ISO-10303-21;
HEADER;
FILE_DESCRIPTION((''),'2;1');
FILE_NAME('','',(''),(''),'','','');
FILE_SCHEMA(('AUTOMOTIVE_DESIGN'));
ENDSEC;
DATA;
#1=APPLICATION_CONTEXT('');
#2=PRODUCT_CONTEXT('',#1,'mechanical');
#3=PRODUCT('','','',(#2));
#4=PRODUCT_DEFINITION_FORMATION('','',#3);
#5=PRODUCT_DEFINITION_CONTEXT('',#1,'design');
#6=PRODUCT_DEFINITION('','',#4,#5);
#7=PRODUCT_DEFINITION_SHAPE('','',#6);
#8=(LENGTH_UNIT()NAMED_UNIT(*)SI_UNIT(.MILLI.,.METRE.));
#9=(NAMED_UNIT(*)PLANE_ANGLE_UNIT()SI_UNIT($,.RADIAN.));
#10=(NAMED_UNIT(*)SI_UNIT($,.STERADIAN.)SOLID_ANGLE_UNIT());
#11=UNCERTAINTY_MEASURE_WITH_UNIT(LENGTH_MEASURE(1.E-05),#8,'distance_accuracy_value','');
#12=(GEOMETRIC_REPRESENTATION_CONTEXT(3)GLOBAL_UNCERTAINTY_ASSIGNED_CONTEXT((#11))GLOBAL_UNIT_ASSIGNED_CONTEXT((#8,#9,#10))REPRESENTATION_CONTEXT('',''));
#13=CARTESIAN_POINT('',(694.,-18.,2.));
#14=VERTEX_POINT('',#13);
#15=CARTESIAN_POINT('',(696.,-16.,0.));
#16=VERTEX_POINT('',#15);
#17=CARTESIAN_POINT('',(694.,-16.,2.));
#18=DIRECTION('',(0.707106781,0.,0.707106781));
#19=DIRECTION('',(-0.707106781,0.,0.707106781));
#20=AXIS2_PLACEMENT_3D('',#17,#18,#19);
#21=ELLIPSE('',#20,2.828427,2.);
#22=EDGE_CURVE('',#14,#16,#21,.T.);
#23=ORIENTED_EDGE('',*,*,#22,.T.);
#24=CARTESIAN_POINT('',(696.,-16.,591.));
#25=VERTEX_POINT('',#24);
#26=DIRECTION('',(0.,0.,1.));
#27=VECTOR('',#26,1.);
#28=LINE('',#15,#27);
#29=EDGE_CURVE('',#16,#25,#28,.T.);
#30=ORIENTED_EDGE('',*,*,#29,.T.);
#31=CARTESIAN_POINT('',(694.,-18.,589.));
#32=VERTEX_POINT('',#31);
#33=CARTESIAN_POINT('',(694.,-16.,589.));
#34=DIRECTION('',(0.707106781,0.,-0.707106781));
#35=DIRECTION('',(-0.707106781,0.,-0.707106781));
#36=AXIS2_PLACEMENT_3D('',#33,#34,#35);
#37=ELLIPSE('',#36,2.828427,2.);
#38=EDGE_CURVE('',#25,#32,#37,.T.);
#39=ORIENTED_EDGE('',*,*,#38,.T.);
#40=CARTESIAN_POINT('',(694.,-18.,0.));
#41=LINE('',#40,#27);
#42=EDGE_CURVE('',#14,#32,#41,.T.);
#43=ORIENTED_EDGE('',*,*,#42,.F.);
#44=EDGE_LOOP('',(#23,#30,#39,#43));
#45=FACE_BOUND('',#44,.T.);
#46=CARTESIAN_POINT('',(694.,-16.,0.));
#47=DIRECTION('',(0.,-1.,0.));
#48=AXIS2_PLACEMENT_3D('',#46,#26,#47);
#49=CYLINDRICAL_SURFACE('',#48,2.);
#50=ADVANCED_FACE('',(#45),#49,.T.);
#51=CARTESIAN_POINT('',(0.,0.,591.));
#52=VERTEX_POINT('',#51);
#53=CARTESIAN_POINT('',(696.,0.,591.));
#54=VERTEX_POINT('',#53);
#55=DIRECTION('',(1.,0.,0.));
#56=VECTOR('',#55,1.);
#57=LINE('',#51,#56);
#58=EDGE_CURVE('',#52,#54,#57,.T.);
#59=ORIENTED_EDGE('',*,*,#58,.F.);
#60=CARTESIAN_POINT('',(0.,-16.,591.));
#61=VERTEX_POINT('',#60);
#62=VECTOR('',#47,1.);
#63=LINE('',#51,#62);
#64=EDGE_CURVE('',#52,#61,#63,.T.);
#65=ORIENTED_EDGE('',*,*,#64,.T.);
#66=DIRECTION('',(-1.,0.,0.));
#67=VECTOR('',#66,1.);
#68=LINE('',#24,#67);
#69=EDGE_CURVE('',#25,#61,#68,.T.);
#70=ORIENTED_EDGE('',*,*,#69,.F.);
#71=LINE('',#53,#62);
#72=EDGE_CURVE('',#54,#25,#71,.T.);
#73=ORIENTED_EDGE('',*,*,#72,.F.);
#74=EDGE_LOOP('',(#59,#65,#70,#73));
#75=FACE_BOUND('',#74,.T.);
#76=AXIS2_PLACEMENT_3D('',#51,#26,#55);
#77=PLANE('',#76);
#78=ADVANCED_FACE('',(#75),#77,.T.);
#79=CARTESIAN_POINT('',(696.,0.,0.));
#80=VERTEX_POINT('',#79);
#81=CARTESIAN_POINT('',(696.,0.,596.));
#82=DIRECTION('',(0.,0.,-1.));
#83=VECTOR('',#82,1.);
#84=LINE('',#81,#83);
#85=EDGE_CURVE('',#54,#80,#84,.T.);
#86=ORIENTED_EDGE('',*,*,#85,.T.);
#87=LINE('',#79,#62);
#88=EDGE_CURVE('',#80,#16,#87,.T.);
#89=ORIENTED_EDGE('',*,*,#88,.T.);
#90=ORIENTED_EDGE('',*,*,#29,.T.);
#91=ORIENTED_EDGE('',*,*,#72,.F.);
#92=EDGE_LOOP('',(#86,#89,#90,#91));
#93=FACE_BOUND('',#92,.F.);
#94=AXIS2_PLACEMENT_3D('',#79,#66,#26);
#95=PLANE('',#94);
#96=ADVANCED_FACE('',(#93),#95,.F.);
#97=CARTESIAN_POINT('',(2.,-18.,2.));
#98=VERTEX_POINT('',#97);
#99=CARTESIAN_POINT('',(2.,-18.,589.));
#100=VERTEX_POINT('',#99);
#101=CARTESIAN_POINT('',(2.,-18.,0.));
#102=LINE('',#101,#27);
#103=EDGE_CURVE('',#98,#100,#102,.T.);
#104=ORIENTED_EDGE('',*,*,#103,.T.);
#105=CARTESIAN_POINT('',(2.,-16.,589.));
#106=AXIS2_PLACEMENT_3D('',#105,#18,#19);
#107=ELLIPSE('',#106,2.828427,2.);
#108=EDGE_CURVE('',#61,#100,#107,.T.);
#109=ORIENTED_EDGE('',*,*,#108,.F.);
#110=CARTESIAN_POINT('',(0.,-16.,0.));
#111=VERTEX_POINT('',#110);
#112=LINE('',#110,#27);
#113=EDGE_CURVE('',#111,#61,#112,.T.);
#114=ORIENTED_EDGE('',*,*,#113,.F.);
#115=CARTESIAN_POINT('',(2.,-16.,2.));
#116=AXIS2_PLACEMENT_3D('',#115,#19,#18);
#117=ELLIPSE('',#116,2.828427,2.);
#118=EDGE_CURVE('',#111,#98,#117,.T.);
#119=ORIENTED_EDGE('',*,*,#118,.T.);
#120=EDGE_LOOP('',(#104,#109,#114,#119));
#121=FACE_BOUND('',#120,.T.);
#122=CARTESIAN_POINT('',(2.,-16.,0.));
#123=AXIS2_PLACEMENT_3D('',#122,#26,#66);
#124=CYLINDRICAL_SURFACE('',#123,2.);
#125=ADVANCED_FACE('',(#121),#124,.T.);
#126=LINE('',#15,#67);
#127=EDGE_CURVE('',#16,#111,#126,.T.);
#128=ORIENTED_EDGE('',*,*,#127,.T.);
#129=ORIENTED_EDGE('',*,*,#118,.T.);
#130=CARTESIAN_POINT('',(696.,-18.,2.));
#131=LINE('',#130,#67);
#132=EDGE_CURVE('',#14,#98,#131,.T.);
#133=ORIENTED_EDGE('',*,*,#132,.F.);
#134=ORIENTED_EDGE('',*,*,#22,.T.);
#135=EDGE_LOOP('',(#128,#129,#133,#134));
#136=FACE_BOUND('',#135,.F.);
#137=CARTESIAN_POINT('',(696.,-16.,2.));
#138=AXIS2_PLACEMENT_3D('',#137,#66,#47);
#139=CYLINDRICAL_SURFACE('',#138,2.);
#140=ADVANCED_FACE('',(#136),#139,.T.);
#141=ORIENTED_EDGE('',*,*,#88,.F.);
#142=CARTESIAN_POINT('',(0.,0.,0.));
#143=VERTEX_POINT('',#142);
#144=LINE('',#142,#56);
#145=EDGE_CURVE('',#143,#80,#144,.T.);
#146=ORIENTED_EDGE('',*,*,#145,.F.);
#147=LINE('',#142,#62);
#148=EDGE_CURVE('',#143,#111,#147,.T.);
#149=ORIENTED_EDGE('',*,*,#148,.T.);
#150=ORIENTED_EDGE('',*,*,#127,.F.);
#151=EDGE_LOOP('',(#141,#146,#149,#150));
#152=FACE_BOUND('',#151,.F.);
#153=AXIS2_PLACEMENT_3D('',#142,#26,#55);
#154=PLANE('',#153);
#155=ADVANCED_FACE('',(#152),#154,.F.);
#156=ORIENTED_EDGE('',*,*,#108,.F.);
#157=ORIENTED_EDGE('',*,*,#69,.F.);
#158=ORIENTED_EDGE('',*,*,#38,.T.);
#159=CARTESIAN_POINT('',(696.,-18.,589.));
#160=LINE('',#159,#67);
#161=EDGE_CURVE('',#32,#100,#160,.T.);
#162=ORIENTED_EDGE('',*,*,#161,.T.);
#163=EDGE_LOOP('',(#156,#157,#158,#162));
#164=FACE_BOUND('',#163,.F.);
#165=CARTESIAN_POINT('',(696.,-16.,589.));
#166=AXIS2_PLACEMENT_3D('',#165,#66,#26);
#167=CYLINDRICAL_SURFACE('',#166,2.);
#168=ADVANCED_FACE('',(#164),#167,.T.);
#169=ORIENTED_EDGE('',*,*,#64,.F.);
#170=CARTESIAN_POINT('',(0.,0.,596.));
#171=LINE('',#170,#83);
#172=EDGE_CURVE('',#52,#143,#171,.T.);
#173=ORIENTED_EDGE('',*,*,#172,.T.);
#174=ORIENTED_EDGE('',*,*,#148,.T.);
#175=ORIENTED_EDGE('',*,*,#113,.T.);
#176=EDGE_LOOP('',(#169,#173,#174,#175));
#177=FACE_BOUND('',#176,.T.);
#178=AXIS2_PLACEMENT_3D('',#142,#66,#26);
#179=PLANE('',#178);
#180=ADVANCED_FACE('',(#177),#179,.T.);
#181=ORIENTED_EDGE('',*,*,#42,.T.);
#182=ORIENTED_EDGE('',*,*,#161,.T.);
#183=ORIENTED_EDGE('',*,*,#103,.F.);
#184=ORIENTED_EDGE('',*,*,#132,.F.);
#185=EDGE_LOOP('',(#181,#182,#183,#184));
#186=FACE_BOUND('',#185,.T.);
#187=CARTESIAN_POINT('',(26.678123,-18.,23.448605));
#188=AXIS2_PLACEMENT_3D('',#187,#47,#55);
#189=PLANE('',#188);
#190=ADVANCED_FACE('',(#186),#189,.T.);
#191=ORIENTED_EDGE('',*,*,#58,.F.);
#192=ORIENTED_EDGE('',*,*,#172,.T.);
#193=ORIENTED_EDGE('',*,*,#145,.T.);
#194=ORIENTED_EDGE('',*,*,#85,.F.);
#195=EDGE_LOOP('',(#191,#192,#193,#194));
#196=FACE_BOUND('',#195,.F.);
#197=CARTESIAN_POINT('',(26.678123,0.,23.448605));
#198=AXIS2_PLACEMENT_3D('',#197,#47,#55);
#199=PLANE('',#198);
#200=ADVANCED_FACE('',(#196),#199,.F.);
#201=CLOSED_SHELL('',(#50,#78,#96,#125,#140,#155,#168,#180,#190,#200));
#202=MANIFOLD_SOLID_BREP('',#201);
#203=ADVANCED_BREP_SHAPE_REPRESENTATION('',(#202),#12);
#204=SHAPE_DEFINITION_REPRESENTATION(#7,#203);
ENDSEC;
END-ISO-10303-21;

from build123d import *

# Parameters (mm, degrees)
F0_W     = 53.3562451601
F0_H     = 46.8972101808
F1_DEPTH = 18
F2_DEPTH = 696
F3_DEPTH = 596
F4_DEPTH = 5
F5_R     = 2


with BuildPart() as f1:
    # F0 (on Front) → F1 (new body)
    with BuildSketch(Plane.XZ):
        with Locations((26.6781225801, 23.4486050904)):
            Rectangle(F0_W, F0_H)
    extrude(amount=F1_DEPTH)

    # F2 (add): a face of the model
    f2_faces = [f1.faces().sort_by_distance(p)[0] for p in [
        (0, -9, 23.4486050904),
    ]]
    extrude(f2_faces, amount=-F2_DEPTH)

    # F3 (add): a face of the model
    f3_faces = [f1.faces().sort_by_distance(p)[0] for p in [
        (348, -9, 0),
    ]]
    extrude(f3_faces, amount=-F3_DEPTH)

    # F4 (cut): a face of the model
    f4_faces = [f1.faces().sort_by_distance(p)[0] for p in [
        (348, -9, 596),
    ]]
    extrude(f4_faces, amount=-F4_DEPTH, mode=Mode.SUBTRACT)

    # F5
    f5_edges = [f1.edges().sort_by_distance(p)[0] for p in [
        (0, -18, 295.5),
        (348, -18, 591),
        (696, -18, 295.5),
        (348, -18, 0),
    ]]
    fillet(f5_edges, radius=F5_R)


solid = f1.part
